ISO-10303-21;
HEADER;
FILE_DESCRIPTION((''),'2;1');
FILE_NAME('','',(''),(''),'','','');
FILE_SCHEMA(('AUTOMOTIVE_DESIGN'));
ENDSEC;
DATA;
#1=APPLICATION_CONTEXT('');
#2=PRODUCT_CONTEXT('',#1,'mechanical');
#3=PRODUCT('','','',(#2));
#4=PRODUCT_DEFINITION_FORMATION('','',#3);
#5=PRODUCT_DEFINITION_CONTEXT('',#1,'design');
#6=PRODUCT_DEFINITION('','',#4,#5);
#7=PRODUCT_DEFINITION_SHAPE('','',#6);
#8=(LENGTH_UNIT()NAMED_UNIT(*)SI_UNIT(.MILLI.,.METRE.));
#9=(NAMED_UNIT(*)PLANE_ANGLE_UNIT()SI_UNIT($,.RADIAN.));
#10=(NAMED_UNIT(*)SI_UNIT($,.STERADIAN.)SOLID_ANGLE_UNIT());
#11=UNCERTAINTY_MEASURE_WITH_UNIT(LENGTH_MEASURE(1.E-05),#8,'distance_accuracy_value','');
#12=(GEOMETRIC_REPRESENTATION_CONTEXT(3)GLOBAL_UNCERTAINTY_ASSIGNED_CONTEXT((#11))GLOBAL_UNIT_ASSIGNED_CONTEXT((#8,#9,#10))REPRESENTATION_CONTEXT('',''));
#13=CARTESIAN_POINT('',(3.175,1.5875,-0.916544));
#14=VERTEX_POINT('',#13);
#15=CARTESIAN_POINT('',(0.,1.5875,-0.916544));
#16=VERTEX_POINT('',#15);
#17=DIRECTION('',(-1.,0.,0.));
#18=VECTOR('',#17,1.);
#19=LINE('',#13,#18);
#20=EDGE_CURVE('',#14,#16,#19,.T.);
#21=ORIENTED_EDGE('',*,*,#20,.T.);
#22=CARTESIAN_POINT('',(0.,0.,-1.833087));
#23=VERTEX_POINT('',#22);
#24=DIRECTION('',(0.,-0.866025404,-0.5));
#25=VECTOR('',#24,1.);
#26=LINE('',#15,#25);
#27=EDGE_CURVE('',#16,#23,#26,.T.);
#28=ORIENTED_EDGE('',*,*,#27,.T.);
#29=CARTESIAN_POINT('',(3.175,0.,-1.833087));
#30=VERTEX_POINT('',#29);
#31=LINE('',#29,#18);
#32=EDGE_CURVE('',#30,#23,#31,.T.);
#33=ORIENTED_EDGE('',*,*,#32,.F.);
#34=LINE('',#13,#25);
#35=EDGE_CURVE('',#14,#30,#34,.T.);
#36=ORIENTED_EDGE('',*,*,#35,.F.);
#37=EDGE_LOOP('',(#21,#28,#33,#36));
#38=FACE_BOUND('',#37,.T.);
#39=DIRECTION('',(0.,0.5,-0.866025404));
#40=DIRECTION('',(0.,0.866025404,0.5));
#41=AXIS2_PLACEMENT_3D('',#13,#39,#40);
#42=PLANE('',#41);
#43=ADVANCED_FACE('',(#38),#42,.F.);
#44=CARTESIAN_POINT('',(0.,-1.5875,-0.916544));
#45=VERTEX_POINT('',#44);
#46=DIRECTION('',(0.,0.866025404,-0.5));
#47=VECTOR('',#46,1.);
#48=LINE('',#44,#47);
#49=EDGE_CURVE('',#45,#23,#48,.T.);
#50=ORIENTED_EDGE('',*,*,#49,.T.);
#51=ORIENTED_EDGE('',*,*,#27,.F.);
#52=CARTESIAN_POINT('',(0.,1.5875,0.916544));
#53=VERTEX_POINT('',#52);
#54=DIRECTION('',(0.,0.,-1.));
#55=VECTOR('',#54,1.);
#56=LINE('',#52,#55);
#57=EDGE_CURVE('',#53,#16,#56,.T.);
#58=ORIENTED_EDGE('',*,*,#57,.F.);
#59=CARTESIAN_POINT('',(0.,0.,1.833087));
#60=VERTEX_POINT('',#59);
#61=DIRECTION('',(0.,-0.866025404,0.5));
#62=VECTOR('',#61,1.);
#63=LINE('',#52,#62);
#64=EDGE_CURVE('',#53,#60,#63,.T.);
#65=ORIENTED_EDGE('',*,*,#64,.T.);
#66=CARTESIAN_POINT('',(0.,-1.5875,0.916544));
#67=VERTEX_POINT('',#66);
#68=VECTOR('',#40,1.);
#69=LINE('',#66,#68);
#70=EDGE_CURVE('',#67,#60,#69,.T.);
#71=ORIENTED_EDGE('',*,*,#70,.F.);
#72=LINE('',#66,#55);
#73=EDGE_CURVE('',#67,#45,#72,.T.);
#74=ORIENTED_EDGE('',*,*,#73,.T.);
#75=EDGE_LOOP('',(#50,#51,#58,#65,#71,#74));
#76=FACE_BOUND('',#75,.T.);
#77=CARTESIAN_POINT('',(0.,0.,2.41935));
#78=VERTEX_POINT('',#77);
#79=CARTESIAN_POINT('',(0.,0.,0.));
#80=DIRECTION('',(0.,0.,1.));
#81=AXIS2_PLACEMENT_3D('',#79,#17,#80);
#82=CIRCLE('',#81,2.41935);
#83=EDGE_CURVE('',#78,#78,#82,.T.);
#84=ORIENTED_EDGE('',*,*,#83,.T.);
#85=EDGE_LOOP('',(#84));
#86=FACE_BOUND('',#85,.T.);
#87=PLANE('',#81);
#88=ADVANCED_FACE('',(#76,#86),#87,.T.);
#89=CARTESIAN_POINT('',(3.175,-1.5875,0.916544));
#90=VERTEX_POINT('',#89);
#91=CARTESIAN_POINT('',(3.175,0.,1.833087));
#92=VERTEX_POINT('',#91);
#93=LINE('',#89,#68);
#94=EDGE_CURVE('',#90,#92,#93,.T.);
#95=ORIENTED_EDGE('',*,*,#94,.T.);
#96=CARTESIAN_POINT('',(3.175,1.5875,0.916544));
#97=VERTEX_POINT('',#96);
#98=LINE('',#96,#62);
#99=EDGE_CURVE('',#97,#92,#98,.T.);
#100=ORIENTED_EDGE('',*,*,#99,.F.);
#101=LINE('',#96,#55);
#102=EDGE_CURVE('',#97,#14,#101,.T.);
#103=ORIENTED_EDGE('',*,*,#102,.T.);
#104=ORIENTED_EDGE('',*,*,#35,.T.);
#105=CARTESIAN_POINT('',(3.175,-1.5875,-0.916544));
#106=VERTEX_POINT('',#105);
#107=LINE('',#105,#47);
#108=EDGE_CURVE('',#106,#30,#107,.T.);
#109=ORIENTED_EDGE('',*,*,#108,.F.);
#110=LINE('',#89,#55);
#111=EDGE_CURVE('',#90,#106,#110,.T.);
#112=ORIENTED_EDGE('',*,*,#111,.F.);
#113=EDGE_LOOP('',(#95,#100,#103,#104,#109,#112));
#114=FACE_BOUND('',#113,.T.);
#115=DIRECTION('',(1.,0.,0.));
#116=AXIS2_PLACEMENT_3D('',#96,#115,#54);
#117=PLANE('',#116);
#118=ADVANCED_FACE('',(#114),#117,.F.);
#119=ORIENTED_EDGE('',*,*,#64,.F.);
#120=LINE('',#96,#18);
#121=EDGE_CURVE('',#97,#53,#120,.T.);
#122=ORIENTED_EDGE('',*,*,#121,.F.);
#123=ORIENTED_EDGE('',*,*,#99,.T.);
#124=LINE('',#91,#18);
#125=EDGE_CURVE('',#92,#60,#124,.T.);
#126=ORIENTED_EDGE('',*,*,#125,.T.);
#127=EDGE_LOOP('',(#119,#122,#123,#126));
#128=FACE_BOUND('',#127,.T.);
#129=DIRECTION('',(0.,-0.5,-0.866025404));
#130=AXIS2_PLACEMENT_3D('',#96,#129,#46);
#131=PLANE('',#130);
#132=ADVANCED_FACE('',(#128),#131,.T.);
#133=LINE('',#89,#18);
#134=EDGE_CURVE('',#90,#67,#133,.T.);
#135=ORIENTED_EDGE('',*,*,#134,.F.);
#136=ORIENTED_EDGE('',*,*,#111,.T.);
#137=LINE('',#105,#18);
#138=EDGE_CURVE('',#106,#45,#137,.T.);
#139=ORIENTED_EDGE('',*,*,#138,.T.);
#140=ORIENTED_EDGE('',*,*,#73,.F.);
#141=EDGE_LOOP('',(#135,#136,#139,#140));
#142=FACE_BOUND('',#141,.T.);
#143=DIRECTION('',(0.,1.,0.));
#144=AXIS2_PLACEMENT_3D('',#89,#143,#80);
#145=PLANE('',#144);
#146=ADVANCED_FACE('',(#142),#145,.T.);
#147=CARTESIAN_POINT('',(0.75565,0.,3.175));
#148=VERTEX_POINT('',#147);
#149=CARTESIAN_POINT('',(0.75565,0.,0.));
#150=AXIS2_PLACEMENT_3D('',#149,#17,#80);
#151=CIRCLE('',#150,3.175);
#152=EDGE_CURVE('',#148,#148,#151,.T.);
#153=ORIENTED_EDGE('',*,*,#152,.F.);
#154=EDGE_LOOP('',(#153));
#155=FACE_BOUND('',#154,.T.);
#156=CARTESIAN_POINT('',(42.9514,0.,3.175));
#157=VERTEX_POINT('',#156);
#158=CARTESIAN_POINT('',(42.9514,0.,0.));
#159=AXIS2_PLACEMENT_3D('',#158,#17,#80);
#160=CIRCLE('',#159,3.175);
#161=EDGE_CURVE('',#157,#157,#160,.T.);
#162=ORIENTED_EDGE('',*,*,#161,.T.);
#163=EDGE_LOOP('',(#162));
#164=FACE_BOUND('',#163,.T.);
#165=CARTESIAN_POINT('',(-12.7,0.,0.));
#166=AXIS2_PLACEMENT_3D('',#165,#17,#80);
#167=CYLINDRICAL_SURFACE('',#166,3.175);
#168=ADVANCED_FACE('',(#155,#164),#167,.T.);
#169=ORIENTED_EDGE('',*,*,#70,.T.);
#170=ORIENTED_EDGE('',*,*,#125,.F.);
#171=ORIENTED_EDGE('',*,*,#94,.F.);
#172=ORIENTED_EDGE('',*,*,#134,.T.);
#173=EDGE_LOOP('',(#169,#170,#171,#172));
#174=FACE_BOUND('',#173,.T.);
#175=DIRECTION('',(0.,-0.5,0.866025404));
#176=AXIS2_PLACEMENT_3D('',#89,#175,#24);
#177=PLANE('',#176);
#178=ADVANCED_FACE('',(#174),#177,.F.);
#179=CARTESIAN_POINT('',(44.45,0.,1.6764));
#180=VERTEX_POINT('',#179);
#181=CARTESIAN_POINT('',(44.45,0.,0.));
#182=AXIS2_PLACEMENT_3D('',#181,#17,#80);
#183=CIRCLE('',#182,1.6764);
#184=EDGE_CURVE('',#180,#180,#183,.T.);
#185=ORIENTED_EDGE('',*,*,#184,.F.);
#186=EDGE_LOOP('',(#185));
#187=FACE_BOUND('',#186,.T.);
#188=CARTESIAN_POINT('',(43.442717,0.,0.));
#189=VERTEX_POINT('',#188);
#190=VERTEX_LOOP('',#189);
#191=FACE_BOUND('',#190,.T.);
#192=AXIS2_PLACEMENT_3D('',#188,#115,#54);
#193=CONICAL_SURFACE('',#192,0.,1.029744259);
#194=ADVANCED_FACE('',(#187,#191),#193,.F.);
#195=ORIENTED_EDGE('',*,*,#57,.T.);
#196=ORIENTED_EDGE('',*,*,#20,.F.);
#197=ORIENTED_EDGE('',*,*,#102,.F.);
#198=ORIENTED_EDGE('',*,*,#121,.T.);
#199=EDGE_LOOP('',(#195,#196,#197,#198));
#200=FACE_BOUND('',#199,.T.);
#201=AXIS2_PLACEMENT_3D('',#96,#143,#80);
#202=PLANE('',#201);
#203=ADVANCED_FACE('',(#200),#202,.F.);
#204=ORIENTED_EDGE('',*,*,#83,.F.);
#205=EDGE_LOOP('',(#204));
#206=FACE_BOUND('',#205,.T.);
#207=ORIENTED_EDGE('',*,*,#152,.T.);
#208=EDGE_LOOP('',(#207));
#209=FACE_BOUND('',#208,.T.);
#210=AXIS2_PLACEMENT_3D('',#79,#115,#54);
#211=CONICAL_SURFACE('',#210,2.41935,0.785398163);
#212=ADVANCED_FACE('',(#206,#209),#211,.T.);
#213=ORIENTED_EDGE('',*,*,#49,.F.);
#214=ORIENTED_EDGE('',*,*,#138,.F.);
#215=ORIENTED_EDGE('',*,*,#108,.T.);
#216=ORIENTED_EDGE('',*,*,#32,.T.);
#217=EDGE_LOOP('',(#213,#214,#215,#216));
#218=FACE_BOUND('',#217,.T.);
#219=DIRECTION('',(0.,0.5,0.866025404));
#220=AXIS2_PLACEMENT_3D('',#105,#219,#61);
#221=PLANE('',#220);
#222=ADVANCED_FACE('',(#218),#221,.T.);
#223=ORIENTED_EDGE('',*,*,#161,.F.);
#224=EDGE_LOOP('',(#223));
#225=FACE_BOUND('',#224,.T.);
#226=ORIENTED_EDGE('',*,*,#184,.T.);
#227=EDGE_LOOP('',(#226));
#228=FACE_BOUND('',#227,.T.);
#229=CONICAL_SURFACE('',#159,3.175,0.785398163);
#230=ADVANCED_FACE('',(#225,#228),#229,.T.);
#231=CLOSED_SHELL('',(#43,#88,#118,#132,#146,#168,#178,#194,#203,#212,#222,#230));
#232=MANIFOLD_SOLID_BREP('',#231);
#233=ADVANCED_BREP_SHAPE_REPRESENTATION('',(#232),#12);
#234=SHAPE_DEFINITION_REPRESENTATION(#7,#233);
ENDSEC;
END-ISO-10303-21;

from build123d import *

# Parameters (mm, degrees)
HEX_2_DEPTH = 3.175


with BuildPart() as part:
    # BodySke → BaseBody (revolve)
    with BuildSketch(Plane.XY, mode=Mode.PRIVATE) as basebody_sk:
        Polygon((0, 0), (0, 2.41935), (0.75565, 3.175), (42.9514, 3.175), (44.45, 1.6764), (43.442717258, 0), align=None)
    revolve(basebody_sk.sketch.rotate(Axis((-12.7, 0, 0), (1, 0, 0)), 90), axis=Axis((-12.7, 0, 0), (1, 0, 0)))

    # Sketch2 → Hex 2 (cut)
    with BuildSketch(Plane.ZY):
        Polygon((0.916543552, 1.5875), (-0.916543552, 1.5875), (-1.833087105, 0), (-0.916543552, -1.5875), (0.916543552, -1.5875), (1.833087105, 0), align=None)
    extrude(amount=-HEX_2_DEPTH, mode=Mode.SUBTRACT)


solid = part.part
